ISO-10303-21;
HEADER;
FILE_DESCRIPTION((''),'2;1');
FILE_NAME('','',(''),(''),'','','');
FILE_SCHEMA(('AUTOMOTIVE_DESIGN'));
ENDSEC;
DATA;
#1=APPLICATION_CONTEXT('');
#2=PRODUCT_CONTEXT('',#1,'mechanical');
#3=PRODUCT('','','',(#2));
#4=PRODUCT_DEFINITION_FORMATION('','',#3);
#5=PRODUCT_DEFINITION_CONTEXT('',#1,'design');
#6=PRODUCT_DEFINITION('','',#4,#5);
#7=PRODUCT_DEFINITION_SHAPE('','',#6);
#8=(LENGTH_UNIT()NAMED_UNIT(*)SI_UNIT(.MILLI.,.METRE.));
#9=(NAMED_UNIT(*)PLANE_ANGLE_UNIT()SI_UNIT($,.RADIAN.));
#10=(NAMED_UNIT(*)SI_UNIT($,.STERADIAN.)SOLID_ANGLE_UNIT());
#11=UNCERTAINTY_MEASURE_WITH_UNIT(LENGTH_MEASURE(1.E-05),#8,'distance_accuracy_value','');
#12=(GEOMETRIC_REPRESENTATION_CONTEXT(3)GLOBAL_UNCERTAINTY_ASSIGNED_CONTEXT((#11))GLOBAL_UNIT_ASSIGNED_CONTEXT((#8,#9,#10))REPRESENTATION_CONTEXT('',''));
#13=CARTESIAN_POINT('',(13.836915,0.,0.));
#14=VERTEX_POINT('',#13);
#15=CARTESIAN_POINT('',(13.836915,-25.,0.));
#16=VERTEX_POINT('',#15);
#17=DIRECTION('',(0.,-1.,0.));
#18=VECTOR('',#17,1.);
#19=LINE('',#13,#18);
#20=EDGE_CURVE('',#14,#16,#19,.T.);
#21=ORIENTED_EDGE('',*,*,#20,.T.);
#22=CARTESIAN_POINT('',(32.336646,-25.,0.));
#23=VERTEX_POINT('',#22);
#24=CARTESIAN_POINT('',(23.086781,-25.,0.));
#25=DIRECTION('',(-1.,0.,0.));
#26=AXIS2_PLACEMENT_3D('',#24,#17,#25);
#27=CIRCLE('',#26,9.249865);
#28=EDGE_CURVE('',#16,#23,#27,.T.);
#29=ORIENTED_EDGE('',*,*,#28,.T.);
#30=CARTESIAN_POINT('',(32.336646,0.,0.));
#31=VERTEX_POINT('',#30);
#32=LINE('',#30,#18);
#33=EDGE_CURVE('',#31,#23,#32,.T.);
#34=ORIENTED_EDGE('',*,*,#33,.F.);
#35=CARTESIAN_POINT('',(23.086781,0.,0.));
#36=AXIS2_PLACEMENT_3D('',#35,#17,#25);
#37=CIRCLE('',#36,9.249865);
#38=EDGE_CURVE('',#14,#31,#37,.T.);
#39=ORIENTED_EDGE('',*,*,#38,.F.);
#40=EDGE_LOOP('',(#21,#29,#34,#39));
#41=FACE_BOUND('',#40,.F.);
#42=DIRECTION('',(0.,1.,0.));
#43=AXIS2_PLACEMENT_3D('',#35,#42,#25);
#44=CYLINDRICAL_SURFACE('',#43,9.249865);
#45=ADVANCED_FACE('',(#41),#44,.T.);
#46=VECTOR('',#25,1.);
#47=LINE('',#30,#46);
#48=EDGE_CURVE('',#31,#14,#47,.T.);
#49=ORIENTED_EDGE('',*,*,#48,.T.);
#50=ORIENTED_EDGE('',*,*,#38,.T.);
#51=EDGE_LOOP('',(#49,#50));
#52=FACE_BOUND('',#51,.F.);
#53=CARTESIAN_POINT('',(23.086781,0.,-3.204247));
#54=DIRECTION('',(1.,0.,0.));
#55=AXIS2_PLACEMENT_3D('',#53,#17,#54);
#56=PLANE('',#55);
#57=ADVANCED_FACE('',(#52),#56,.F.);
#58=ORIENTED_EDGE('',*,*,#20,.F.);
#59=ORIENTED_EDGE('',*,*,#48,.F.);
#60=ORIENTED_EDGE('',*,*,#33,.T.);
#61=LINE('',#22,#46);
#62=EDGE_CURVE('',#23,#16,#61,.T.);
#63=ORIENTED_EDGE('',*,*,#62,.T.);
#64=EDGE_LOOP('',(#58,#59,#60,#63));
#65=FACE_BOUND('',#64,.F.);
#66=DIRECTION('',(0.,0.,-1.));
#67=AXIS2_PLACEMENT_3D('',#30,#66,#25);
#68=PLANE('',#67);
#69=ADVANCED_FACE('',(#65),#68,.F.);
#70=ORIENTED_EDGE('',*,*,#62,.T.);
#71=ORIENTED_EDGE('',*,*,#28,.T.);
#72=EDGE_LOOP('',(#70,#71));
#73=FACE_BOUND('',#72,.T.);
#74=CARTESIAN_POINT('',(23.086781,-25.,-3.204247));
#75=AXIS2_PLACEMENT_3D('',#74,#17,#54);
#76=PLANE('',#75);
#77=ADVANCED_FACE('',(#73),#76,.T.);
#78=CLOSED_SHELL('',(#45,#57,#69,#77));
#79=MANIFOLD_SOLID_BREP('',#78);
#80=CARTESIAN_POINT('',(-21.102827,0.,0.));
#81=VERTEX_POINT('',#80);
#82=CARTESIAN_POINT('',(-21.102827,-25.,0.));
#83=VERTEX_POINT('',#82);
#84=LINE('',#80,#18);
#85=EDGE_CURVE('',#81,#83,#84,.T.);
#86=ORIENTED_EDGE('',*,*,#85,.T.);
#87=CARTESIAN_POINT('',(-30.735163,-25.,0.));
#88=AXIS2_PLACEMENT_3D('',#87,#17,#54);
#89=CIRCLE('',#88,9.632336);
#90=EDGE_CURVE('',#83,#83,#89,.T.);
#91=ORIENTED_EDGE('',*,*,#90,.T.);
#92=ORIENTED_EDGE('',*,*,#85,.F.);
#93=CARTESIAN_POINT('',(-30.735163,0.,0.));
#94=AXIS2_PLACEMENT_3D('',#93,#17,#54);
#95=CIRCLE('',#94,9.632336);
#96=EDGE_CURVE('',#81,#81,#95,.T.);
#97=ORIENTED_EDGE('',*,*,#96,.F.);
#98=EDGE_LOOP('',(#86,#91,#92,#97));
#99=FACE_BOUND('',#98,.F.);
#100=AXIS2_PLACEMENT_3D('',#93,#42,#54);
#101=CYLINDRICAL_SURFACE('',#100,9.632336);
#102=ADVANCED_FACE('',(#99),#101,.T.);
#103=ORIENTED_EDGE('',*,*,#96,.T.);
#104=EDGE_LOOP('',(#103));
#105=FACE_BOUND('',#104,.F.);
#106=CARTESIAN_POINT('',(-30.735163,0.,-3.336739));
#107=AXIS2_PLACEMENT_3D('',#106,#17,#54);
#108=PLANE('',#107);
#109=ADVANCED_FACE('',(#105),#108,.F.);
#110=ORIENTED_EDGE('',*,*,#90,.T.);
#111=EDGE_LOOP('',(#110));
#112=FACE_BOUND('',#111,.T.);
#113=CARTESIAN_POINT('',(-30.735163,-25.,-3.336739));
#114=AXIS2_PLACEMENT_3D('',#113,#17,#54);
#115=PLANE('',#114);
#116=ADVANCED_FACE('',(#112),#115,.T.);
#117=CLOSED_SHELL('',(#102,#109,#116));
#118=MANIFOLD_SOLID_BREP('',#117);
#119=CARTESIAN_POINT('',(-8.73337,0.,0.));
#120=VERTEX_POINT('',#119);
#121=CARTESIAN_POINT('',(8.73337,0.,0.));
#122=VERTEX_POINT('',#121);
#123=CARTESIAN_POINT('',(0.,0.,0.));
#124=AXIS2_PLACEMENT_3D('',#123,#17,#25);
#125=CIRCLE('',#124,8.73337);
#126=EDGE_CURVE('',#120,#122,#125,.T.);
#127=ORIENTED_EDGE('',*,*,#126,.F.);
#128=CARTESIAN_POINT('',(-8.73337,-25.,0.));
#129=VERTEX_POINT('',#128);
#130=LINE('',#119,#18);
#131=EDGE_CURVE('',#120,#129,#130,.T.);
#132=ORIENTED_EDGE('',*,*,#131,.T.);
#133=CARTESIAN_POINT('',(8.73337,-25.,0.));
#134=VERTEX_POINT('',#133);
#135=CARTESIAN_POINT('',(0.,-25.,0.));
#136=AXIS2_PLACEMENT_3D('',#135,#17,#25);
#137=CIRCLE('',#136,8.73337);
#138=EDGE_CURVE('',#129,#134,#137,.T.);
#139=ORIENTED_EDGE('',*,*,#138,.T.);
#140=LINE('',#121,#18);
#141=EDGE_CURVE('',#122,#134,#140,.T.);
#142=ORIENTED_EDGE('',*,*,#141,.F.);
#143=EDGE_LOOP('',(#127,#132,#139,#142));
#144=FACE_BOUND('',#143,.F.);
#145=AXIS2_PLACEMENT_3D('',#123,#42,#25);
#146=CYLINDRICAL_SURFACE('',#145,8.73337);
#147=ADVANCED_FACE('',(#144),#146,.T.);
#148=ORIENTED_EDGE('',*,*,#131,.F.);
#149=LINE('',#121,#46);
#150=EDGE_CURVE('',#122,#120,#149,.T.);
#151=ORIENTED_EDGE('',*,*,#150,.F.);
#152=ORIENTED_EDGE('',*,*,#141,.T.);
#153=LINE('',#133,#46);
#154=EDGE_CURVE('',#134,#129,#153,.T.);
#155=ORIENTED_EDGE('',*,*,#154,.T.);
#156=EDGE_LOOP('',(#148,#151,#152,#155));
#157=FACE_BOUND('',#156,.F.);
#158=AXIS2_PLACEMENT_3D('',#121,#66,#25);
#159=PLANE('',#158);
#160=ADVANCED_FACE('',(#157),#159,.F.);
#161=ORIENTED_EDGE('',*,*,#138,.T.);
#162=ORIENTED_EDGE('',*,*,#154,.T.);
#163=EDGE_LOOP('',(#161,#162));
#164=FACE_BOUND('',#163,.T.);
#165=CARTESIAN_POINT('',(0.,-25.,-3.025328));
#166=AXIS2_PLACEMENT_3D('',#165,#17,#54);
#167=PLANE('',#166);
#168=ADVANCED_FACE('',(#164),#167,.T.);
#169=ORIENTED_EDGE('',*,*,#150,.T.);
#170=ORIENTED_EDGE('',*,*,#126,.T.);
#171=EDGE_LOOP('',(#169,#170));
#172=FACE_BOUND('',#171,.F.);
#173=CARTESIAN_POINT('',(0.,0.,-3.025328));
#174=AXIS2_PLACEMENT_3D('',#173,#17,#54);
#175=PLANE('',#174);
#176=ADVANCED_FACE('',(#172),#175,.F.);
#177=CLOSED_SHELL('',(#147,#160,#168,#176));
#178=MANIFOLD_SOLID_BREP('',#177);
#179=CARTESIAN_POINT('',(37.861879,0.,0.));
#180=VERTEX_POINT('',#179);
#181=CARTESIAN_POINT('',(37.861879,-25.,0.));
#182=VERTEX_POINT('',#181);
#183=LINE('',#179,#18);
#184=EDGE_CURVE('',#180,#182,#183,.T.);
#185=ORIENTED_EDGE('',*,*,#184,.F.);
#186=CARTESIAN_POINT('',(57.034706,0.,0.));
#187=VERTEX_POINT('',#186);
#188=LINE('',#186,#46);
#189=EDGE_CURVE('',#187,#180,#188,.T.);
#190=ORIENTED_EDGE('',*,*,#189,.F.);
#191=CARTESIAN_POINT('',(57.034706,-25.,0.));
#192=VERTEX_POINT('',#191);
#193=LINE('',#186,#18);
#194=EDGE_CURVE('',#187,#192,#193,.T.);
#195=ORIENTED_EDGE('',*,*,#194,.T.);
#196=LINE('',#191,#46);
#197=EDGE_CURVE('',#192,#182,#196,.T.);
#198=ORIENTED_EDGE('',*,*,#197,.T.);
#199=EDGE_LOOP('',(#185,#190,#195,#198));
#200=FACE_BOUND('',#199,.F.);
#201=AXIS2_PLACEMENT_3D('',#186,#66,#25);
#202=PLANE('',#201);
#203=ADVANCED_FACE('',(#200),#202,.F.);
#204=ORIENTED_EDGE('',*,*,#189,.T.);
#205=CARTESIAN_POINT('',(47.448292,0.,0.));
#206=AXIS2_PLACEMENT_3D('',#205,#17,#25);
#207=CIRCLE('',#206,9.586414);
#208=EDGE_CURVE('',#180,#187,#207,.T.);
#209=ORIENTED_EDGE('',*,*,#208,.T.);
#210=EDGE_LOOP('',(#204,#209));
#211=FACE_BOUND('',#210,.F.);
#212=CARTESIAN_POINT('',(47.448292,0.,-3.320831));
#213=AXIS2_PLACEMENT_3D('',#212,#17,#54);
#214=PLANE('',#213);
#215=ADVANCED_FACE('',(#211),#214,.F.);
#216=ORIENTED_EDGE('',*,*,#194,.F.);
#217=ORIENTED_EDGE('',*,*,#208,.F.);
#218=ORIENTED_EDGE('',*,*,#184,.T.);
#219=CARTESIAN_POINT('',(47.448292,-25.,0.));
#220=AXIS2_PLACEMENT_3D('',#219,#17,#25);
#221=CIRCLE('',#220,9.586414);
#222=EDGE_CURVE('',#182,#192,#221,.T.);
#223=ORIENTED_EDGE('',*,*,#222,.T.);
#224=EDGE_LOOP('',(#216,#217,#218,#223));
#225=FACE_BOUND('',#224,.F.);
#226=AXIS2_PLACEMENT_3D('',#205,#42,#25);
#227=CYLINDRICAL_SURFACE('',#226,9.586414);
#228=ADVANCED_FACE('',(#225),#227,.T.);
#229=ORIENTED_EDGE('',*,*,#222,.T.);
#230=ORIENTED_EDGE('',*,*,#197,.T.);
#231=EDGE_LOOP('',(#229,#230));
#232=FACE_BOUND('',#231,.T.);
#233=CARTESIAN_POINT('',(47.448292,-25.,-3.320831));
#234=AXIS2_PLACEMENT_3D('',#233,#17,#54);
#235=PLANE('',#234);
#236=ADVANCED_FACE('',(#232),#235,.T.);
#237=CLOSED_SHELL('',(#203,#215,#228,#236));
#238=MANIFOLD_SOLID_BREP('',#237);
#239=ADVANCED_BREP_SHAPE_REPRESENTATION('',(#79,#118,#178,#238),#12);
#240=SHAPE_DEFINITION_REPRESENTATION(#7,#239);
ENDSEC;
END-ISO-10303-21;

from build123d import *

# Parameters (mm, degrees)
F1_DEPTH = 25


with BuildPart() as f1:
    # F0 (on Front) → F1 (new body)
    with BuildSketch(Plane.XZ):
        with BuildLine():
            Line((47.4482923746, 0), (37.8618785329, 0))
            ThreePointArc((37.8618785329, 0), (47.4482923746, -9.5864138417), (57.0347062163, 0))
            Line((57.0347062163, 0), (47.4482923746, 0))
        make_face()
    extrude(amount=F1_DEPTH)


with BuildPart() as f1b:
    # F0 (on Front) → F1, piece 2 (new body)
    with BuildSketch(Plane.XZ):
        with BuildLine():
            ThreePointArc((-8.7333697495, 0), (0, -8.7333697495), (8.7333697495, 0))
            Line((8.7333697495, 0), (0, 0))
            Line((0, 0), (-8.7333697495, 0))
        make_face()
    extrude(amount=F1_DEPTH)


with BuildPart() as f1c:
    # F0 (on Front) → F1, piece 3 (new body)
    with BuildSketch(Plane.XZ):
        with BuildLine():
            ThreePointArc((-40.3674991654, 0), (-30.7351630181, -9.6323361473), (-21.1028268708, 0))
            Line((-21.1028268708, 0), (-30.7351630181, 0))
            Line((-30.7351630181, 0), (-40.3674991654, 0))
        make_face()
        with BuildLine():
            Line((-30.7351630181, 0), (-21.1028268708, 0))
            ThreePointArc((-21.1028268708, 0), (-30.7351630181, 9.6323361473), (-40.3674991654, 0))
            Line((-40.3674991654, 0), (-30.7351630181, 0))
        make_face()
    extrude(amount=F1_DEPTH)


with BuildPart() as f1d:
    # F0 (on Front) → F1, piece 4 (new body)
    with BuildSketch(Plane.XZ):
        with BuildLine():
            Line((23.0867806822, 0), (13.8369154357, 0))
            ThreePointArc((13.8369154357, 0), (23.0867806822, -9.2498652465), (32.3366459287, 0))
            Line((32.3366459287, 0), (23.0867806822, 0))
        make_face()
    extrude(amount=F1_DEPTH)


solid = Compound([f1.part, f1b.part, f1c.part, f1d.part])
